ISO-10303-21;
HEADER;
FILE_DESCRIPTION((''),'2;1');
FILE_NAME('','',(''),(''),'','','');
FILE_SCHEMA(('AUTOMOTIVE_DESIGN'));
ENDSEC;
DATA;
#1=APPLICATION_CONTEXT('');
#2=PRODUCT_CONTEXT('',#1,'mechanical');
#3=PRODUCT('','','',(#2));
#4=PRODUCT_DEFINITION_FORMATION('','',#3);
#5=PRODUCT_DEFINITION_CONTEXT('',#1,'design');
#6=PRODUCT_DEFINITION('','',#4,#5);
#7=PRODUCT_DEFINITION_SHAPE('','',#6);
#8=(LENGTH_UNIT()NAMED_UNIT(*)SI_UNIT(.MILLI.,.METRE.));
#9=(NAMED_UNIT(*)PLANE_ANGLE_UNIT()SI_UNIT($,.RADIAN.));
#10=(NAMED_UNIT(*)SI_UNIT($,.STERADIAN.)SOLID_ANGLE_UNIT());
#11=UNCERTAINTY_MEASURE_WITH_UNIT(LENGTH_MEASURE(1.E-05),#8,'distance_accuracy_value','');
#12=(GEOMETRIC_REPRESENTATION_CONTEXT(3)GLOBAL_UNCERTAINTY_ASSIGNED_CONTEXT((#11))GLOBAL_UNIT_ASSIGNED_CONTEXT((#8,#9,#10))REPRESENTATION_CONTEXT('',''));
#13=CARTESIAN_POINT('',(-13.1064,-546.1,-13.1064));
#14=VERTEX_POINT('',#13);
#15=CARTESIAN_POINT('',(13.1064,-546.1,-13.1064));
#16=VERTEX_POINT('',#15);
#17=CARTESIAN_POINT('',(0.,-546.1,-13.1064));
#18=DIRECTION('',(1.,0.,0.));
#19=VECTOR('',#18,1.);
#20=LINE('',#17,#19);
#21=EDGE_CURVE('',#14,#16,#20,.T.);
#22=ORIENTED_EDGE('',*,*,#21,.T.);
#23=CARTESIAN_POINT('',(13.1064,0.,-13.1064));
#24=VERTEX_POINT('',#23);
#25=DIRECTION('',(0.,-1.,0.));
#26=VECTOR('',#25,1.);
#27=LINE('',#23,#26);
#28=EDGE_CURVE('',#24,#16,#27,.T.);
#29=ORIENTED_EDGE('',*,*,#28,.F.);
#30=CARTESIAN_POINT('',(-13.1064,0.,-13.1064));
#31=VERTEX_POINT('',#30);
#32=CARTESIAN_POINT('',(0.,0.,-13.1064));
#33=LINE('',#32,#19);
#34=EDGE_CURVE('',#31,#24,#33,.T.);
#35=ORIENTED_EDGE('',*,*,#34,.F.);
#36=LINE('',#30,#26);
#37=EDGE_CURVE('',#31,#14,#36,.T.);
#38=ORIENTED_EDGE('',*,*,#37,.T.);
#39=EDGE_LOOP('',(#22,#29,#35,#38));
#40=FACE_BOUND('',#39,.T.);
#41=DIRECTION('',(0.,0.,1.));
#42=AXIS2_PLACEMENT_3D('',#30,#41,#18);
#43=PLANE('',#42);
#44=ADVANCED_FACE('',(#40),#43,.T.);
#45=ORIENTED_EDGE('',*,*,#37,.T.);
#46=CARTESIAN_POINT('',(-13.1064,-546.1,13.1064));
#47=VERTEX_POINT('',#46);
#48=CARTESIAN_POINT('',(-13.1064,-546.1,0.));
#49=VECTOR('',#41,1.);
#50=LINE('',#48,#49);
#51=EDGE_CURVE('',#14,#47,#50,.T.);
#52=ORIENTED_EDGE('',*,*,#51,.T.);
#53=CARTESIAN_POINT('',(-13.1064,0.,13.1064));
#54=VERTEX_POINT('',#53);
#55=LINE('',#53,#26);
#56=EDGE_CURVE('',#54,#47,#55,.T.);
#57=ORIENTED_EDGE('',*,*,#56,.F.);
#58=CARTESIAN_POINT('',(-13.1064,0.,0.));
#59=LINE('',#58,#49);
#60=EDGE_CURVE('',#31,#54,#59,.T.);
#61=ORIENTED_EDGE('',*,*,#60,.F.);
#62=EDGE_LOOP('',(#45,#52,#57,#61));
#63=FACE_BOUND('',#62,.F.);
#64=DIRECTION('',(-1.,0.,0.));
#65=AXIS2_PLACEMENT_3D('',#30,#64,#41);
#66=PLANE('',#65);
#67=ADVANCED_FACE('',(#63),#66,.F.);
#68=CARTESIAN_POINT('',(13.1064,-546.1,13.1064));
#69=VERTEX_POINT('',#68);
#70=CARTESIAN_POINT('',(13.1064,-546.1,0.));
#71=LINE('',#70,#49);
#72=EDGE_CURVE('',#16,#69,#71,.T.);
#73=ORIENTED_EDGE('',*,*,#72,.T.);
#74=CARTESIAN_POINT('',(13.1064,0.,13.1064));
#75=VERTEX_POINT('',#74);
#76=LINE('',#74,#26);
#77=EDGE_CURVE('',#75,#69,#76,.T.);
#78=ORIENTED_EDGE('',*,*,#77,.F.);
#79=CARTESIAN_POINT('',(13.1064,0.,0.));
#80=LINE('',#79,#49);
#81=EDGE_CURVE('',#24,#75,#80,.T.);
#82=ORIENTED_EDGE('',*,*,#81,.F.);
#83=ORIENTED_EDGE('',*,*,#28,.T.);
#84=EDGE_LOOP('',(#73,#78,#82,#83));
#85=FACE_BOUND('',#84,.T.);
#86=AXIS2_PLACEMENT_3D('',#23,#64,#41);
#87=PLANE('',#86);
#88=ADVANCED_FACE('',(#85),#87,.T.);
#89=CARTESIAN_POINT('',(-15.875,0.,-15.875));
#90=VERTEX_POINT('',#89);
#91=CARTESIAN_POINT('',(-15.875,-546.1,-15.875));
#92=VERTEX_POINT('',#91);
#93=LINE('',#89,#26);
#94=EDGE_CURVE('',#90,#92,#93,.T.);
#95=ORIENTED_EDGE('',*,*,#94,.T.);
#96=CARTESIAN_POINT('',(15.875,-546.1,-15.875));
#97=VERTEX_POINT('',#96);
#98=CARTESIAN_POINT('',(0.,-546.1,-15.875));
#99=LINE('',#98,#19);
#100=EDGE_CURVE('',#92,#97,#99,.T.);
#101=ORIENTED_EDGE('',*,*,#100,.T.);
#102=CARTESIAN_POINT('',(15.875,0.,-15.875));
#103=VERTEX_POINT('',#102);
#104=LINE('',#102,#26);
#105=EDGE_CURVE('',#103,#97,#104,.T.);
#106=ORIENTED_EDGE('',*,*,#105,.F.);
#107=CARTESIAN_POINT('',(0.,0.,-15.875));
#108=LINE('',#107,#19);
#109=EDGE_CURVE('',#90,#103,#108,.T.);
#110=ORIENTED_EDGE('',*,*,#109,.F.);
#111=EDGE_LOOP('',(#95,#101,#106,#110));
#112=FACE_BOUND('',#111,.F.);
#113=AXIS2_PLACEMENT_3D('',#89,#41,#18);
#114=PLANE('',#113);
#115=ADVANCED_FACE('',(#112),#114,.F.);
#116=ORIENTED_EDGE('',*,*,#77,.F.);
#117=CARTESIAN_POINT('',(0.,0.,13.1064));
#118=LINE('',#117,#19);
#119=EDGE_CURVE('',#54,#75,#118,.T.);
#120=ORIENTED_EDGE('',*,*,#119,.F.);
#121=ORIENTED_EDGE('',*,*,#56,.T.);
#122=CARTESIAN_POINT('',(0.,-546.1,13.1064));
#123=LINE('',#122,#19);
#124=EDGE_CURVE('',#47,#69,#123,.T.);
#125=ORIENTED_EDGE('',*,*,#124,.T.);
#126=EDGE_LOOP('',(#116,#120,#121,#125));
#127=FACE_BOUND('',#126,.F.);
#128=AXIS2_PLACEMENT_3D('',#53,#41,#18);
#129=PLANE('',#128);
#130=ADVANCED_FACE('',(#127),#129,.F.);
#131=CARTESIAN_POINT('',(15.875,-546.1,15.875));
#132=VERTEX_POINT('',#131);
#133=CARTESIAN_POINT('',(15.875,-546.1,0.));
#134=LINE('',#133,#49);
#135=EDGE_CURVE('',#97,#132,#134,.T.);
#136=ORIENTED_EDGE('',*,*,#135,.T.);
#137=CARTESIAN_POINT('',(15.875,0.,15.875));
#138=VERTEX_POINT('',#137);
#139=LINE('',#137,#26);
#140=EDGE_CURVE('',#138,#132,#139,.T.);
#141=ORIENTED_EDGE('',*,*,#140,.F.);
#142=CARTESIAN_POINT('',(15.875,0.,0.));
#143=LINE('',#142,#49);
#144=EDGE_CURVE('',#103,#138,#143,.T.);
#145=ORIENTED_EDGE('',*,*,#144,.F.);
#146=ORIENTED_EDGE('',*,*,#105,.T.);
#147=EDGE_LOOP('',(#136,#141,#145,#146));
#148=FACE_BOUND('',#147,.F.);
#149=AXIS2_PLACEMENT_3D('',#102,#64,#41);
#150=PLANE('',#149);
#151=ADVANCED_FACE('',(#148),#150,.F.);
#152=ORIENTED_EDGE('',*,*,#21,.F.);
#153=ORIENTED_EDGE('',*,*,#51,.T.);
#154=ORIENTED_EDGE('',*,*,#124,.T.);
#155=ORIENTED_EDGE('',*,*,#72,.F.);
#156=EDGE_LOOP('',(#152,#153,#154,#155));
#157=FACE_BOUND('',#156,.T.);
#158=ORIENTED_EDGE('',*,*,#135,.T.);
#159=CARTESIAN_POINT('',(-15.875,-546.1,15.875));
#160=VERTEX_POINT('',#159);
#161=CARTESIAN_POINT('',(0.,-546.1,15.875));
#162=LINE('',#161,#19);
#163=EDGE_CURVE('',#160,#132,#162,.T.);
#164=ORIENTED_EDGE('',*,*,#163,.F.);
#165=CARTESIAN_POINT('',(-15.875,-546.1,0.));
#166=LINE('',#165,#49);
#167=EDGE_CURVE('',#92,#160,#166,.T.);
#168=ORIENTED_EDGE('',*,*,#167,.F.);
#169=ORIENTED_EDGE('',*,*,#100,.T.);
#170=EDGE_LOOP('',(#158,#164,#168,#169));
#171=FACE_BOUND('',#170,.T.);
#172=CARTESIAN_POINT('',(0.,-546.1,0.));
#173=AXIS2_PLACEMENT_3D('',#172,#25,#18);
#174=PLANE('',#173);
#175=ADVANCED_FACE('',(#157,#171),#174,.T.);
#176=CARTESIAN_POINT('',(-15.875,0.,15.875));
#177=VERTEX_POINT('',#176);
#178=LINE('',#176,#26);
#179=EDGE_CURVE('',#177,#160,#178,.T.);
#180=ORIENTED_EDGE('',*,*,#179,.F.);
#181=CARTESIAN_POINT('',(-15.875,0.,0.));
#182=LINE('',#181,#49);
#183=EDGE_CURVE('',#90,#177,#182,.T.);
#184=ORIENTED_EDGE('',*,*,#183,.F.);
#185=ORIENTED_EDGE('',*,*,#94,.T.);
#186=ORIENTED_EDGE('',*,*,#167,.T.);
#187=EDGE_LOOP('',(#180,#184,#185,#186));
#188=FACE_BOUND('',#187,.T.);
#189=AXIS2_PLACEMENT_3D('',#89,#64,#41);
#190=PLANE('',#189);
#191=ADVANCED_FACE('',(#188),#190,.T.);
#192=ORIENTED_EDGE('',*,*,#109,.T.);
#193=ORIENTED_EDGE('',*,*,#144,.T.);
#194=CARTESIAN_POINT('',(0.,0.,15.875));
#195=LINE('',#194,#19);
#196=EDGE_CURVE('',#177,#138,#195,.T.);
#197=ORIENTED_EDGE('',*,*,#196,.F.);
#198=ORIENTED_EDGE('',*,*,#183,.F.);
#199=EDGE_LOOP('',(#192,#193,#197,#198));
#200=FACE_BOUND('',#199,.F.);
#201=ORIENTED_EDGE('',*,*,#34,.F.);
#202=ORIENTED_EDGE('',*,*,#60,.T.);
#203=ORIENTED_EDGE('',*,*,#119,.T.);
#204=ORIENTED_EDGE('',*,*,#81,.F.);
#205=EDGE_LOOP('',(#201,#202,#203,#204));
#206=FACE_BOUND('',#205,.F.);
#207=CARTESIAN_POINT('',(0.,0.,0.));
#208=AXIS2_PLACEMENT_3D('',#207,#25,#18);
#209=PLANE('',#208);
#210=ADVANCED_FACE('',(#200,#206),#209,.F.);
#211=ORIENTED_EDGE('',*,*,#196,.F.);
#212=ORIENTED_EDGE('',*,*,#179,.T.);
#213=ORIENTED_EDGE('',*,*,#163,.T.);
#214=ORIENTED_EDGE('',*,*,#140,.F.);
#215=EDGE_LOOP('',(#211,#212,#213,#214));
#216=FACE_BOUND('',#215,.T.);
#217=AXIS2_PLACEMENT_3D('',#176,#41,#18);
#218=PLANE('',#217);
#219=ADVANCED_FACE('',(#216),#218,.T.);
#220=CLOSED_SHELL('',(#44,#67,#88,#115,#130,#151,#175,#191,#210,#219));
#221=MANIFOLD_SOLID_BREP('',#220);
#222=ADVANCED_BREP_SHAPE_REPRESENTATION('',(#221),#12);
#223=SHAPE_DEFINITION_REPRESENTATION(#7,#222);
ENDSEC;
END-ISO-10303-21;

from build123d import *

# Parameters (mm, degrees)
SKETCH_W   = 31.75
SKETCH_H   = 31.75
SKETCH_W_2 = 26.2128
SKETCH_H_2 = 26.2128
PAD_DEPTH  = 546.1


with BuildPart() as part:
    # Sketch → Pad (new body)
    with BuildSketch(Plane.XZ):
        Rectangle(SKETCH_W, SKETCH_H)
        Rectangle(SKETCH_W_2, SKETCH_H_2, mode=Mode.SUBTRACT)
    extrude(amount=PAD_DEPTH)


solid = part.part
